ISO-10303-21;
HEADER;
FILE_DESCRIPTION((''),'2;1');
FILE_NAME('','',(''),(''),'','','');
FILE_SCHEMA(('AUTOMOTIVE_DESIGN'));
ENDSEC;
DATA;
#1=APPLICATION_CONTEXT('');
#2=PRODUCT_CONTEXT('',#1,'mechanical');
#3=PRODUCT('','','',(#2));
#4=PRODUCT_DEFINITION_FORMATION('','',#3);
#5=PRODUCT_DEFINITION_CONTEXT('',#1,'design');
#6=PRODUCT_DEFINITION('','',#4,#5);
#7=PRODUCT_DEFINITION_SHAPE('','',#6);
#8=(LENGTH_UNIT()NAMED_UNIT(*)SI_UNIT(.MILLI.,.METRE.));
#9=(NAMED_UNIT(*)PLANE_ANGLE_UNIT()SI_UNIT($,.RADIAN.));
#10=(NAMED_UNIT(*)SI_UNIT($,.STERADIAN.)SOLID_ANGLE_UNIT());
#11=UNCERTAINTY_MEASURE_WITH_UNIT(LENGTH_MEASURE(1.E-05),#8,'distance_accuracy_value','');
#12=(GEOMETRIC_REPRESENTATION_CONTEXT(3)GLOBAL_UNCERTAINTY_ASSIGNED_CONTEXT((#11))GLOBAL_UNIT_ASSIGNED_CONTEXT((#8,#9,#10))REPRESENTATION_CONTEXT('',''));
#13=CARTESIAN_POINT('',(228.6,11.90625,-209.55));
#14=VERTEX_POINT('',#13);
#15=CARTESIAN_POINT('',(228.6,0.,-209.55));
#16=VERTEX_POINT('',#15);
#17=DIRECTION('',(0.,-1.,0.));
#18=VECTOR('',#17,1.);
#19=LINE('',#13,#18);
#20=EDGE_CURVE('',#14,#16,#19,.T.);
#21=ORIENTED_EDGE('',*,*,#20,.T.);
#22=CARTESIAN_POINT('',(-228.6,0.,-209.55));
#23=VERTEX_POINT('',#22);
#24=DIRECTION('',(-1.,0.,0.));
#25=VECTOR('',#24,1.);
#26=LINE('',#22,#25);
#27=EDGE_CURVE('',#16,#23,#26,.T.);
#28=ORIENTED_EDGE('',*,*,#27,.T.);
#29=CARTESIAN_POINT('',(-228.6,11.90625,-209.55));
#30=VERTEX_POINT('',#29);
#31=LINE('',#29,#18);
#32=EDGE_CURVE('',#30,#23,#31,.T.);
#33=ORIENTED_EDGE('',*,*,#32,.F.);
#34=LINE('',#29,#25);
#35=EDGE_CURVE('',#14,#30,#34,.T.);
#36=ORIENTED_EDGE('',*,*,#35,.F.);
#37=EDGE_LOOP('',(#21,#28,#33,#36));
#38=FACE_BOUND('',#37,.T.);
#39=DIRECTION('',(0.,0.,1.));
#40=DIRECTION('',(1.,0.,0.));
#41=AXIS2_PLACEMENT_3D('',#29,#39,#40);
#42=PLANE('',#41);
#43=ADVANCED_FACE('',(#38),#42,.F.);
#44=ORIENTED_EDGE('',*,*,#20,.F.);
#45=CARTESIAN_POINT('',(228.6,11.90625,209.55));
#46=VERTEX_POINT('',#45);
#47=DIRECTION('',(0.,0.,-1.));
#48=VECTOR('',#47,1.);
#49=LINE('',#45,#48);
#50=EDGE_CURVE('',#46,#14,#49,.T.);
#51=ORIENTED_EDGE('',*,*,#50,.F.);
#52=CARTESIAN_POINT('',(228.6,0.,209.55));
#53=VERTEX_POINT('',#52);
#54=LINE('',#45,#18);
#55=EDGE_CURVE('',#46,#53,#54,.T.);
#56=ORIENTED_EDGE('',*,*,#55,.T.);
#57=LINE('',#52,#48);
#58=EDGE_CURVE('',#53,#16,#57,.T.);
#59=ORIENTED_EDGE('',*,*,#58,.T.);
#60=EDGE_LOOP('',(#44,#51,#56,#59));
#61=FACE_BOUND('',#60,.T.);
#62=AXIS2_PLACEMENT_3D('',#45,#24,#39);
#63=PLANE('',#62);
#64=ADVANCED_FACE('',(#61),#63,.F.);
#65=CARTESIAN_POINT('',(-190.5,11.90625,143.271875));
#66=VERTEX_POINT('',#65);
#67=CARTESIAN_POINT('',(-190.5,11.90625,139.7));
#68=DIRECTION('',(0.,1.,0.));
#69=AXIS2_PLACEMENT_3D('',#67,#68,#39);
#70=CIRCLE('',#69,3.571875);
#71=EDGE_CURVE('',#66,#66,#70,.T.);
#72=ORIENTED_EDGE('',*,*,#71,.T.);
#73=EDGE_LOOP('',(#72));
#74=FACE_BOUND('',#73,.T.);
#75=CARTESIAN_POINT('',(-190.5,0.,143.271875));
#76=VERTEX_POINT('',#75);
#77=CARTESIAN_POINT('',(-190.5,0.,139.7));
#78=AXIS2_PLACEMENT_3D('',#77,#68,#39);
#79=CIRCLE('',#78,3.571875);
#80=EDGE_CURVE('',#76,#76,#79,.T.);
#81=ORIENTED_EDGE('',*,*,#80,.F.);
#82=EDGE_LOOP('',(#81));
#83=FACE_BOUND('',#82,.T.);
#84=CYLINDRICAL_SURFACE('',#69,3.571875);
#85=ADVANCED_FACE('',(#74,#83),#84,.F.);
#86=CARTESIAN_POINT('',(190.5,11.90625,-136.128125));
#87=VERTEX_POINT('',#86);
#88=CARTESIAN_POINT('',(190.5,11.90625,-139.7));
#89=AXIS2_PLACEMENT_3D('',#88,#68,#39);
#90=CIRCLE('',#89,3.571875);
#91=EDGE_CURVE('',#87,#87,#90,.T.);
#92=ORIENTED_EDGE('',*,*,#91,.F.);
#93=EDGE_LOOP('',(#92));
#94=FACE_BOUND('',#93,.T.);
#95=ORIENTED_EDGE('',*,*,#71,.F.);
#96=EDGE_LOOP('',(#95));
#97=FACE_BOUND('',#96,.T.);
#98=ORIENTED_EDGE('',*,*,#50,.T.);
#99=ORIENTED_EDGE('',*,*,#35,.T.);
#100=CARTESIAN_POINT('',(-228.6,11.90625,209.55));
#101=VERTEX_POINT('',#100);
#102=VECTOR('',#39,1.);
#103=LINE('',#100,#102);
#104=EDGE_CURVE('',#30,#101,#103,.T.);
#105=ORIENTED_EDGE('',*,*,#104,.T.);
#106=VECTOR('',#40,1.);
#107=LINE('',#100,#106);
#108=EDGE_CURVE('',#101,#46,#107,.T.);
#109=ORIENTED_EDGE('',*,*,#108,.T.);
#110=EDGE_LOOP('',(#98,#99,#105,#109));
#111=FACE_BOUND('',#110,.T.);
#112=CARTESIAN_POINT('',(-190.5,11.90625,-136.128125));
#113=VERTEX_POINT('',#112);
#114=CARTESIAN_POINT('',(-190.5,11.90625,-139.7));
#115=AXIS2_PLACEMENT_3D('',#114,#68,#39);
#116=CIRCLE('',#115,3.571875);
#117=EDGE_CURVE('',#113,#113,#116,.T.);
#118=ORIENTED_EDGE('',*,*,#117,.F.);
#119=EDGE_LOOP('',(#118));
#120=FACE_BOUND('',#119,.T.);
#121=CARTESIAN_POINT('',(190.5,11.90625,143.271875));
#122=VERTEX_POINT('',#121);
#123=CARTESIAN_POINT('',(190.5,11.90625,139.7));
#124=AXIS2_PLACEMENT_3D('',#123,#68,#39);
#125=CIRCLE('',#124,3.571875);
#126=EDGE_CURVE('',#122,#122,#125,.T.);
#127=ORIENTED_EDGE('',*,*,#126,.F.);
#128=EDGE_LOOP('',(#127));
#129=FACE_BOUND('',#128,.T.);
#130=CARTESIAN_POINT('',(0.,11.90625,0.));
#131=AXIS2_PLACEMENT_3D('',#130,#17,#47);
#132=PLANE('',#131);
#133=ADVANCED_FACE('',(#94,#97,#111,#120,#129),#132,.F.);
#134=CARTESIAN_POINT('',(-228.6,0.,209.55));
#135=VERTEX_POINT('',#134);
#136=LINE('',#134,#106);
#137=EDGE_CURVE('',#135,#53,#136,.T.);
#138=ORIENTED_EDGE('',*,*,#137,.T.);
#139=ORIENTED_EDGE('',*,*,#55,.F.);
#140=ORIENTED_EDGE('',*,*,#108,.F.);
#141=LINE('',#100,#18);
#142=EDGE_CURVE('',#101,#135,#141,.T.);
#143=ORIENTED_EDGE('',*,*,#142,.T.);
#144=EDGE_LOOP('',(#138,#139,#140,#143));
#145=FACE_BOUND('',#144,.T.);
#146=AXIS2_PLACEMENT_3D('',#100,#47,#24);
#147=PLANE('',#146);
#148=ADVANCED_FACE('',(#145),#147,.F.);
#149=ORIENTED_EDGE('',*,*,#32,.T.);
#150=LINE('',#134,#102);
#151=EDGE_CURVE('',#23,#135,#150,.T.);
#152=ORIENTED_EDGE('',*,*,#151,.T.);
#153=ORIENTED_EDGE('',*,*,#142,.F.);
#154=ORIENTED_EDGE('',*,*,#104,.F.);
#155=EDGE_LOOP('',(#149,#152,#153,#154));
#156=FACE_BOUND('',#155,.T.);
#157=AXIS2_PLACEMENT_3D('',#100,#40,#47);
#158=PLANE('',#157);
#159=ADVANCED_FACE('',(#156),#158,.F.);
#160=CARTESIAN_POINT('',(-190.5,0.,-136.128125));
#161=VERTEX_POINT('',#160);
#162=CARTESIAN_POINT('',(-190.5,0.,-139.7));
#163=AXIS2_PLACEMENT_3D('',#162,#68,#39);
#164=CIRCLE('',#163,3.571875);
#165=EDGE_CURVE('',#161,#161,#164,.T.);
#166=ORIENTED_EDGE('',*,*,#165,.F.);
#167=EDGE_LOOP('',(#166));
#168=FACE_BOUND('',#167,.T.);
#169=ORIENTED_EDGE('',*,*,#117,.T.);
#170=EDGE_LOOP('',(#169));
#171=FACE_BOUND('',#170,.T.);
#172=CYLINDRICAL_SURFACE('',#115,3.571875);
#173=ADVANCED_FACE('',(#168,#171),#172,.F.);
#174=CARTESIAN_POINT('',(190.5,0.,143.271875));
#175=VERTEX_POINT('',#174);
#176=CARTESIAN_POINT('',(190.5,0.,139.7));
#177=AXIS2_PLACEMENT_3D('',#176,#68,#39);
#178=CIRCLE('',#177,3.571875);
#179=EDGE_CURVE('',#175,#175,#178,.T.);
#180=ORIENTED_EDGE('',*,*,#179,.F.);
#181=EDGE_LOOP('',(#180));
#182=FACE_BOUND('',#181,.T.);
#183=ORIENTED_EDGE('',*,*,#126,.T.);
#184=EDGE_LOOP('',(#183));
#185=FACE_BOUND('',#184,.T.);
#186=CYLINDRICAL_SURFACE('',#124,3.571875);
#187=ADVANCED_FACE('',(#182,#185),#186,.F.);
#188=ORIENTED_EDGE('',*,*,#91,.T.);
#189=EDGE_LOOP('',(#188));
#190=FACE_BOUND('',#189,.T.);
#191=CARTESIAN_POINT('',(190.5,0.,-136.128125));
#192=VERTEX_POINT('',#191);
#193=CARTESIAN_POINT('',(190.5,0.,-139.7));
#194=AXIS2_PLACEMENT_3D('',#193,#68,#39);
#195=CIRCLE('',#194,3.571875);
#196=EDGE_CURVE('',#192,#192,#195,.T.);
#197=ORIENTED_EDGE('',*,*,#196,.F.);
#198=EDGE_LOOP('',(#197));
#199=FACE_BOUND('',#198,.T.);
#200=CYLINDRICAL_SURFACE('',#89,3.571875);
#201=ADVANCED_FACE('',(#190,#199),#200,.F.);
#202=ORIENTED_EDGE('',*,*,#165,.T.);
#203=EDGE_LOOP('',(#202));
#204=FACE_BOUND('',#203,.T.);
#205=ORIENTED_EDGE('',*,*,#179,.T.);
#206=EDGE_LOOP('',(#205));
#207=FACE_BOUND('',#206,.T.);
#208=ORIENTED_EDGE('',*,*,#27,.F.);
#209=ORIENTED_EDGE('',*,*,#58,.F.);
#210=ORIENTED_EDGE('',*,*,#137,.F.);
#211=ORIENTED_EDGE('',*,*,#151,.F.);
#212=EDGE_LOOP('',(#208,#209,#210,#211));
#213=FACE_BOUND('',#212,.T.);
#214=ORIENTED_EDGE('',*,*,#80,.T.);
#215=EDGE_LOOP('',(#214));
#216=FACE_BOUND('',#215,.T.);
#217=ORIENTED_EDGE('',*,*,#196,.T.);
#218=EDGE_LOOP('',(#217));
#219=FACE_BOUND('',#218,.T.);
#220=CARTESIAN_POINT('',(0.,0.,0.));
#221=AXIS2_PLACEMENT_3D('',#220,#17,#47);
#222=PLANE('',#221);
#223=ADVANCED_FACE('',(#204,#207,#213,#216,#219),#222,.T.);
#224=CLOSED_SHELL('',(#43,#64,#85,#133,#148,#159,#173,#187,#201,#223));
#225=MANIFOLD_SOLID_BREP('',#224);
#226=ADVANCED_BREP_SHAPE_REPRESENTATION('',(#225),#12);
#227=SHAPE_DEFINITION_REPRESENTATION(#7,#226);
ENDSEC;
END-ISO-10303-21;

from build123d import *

# Parameters (mm, degrees)
SKETCH1_W                       = 457.2
SKETCH1_H                       = 419.1
BOSS_EXTRUDE1_DEPTH             = 11.90625
F_9_32_0_28125_DIAMETER_HOLE1_D = 7.14375


with BuildPart() as part:
    # Sketch1 → Boss-Extrude1 (new body)
    with BuildSketch(Plane(origin=(0, 0, 0), x_dir=(1, 0, 0), z_dir=(0, 1, 0))):
        Rectangle(SKETCH1_W, SKETCH1_H)
    extrude(amount=BOSS_EXTRUDE1_DEPTH)

    # 9/32 (0.28125) Diameter Hole1 (through all)
    with Locations(Plane(origin=(0, 11.90625, 0), x_dir=(1, 0, 0), z_dir=(0, 1, 0))):
        with Locations((-190.5, 139.7), (190.5, 139.7), (190.5, -139.7), (-190.5, -139.7)):
            Hole(F_9_32_0_28125_DIAMETER_HOLE1_D / 2)


solid = part.part
